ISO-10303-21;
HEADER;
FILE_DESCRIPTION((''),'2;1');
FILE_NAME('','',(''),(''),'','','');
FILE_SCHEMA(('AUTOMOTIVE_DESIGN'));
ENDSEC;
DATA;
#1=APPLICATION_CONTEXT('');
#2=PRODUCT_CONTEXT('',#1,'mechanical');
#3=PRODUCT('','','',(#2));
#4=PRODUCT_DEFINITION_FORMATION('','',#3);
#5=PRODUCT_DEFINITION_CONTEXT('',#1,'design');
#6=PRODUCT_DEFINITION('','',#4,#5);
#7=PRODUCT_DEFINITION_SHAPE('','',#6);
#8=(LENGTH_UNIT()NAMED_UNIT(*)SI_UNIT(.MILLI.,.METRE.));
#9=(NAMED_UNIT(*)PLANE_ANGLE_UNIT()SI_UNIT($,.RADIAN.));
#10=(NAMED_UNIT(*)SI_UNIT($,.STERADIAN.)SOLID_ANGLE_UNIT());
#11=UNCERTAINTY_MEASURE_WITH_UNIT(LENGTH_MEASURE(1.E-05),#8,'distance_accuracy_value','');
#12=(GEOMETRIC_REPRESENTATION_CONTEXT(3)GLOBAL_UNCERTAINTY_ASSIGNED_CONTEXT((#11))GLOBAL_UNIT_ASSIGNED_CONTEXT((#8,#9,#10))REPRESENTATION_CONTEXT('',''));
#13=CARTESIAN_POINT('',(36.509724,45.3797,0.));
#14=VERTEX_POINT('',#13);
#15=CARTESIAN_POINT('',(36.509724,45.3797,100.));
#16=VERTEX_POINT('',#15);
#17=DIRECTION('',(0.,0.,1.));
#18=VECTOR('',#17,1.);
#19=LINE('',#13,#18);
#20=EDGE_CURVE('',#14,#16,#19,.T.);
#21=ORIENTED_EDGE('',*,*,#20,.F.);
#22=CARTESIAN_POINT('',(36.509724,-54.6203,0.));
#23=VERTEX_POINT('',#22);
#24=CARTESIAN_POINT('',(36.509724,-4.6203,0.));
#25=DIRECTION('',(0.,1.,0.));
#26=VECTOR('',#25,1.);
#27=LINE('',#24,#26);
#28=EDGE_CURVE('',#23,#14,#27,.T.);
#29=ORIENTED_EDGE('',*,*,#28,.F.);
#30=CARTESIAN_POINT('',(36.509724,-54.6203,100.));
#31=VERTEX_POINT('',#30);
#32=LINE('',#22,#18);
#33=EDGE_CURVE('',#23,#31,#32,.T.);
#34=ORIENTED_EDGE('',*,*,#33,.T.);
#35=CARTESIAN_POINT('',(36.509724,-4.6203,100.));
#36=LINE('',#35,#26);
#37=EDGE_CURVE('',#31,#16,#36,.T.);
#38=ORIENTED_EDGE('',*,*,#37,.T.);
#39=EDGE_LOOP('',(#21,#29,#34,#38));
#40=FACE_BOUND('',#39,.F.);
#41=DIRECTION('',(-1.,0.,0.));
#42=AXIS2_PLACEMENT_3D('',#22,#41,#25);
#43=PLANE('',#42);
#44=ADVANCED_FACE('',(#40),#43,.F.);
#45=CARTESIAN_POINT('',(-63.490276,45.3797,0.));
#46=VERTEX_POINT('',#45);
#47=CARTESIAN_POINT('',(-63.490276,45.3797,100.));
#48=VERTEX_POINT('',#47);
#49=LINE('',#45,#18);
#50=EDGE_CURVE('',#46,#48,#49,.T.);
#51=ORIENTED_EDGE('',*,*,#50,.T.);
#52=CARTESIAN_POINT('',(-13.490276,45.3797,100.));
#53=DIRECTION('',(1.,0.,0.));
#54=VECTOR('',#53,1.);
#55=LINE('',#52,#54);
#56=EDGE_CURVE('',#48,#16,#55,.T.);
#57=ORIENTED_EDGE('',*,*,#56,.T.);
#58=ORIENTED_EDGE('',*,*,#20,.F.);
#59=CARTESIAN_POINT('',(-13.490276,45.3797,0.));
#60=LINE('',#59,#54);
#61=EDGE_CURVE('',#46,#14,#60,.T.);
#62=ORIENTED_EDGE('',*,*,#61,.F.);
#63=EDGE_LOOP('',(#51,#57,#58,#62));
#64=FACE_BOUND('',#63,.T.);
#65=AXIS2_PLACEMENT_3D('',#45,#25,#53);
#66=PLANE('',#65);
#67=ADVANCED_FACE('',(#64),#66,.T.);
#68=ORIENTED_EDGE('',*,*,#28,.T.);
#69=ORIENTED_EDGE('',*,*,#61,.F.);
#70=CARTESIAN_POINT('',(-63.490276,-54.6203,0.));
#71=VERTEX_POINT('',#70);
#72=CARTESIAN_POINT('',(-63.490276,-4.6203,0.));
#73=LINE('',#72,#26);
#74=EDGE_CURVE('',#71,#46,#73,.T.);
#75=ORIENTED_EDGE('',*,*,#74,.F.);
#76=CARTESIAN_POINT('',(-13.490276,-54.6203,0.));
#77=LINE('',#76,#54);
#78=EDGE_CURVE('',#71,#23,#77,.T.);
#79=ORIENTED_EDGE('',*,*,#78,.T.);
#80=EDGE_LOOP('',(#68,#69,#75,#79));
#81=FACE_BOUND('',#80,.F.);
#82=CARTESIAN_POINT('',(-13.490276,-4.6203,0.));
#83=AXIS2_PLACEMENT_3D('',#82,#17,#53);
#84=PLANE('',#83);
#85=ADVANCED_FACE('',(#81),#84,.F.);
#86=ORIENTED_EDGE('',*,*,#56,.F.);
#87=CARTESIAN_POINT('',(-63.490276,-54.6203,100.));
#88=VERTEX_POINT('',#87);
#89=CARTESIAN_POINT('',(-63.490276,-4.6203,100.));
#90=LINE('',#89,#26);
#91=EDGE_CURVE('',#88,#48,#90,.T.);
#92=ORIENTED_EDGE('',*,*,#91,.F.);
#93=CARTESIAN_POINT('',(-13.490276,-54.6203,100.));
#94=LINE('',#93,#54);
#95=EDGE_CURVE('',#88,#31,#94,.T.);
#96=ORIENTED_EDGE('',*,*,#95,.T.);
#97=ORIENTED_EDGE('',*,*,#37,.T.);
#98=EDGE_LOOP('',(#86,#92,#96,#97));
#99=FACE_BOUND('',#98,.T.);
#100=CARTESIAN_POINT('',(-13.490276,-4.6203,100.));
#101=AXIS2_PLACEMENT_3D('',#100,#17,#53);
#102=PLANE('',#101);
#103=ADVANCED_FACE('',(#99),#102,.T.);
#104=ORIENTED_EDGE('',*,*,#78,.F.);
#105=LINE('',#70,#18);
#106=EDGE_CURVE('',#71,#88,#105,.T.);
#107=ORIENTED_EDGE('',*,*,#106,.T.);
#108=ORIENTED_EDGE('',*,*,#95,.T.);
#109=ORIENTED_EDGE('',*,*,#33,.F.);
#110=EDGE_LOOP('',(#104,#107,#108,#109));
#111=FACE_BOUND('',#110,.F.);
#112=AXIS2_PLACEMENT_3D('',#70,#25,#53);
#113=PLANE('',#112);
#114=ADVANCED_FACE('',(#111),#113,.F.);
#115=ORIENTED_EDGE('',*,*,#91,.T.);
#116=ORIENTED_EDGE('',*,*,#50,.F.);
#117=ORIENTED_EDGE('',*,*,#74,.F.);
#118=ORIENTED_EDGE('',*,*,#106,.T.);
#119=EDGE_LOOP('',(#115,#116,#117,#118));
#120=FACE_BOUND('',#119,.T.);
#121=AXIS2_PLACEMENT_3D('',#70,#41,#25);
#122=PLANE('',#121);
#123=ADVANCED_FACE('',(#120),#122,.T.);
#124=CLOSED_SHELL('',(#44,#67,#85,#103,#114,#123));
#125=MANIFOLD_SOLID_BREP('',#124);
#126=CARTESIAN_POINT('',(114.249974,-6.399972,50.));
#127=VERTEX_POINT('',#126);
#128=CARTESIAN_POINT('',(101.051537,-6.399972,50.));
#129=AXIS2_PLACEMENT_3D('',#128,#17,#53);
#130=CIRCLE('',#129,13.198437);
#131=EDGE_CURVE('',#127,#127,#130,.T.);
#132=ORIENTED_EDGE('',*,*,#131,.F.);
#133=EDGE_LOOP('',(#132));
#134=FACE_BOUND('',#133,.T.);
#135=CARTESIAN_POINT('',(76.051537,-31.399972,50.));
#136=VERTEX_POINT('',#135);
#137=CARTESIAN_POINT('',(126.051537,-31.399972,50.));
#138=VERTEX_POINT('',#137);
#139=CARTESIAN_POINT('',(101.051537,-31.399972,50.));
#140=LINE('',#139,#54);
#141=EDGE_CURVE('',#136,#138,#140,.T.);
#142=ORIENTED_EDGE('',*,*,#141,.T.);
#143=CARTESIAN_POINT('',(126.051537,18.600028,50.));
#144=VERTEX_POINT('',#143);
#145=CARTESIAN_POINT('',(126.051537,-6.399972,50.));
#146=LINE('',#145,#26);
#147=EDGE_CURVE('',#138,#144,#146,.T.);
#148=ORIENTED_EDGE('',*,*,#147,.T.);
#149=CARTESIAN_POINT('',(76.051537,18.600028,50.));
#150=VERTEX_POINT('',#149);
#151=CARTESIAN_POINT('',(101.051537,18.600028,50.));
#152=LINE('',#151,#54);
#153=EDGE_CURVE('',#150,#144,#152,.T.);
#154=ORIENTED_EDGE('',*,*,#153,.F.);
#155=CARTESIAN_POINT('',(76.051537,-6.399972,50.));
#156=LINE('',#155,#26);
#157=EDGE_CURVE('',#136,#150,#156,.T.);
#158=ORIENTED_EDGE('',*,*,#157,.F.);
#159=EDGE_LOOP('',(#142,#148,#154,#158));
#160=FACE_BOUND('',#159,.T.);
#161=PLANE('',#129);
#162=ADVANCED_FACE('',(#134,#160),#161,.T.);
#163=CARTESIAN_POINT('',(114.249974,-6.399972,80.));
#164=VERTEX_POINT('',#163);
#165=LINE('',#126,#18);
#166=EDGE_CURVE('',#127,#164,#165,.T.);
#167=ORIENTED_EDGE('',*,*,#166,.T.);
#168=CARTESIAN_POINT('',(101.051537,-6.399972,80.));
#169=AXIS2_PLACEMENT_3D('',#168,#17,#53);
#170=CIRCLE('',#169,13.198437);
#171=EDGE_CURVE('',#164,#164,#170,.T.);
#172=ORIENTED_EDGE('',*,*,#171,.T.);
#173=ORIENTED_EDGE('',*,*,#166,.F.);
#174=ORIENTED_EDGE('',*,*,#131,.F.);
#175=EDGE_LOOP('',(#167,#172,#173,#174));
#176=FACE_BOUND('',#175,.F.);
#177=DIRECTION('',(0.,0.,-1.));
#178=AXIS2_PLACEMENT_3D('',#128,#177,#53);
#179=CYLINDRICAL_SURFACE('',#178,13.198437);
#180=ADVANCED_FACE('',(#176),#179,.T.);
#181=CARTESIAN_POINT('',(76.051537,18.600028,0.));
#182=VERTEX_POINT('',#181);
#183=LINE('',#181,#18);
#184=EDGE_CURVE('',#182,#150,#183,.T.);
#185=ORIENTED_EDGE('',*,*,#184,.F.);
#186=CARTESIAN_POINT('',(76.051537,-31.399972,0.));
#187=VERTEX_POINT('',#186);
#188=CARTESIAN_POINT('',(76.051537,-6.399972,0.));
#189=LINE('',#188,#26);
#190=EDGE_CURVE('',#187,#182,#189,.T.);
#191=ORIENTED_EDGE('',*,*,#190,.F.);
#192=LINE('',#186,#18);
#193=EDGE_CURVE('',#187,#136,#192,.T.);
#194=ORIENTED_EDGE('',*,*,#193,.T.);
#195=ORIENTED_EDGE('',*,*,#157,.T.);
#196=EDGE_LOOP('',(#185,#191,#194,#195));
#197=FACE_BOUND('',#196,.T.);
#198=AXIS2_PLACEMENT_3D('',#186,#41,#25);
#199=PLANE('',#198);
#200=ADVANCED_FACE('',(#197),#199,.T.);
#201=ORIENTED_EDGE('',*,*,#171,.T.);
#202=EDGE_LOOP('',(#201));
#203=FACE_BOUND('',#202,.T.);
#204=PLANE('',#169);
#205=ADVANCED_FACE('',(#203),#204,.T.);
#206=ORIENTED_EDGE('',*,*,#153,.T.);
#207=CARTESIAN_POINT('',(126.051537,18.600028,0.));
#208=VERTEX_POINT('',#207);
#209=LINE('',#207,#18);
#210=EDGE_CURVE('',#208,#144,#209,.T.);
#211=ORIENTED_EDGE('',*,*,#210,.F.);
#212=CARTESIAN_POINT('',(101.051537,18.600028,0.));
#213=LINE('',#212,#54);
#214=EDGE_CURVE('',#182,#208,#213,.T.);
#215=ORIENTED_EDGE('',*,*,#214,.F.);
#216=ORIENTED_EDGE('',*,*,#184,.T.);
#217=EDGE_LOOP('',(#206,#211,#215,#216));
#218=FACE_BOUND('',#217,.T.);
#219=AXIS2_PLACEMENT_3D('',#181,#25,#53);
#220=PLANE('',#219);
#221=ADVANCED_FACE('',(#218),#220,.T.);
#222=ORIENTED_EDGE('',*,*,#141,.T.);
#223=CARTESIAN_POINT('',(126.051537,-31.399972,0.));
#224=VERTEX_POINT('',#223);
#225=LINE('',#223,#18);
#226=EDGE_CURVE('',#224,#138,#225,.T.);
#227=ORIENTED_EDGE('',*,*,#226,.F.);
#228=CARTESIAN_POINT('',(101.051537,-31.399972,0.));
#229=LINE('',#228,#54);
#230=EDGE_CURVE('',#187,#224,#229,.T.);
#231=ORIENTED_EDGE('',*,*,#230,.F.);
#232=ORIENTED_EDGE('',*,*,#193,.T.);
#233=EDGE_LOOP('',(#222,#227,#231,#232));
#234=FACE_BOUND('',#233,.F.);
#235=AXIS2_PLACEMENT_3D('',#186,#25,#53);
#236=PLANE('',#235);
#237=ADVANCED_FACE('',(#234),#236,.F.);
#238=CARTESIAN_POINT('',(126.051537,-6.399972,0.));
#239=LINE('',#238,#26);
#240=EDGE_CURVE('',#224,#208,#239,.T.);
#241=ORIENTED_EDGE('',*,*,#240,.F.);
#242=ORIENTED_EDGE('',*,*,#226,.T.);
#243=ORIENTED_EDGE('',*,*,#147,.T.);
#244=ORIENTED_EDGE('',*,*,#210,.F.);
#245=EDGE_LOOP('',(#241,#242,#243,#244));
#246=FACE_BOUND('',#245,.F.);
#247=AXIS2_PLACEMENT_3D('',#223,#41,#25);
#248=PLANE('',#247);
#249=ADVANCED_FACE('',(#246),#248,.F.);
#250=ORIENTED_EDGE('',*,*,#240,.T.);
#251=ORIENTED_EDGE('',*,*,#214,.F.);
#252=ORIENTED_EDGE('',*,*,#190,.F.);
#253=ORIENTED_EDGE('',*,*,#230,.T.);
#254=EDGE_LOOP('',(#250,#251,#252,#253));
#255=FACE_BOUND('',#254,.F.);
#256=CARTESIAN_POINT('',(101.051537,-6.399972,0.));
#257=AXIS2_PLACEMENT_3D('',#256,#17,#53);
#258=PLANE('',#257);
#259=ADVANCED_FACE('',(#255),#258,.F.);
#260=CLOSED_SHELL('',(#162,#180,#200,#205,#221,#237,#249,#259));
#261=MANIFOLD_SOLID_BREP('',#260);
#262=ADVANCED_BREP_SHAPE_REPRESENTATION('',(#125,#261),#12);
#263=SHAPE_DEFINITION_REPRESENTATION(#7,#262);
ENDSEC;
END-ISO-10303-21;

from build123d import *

# Parameters (mm, degrees)
F0_W     = 100
F0_H     = 100
F1_DEPTH = 100
F2_W     = 50
F2_H     = 50
F3_DEPTH = 50
F4_R     = 13.198437
F5_DEPTH = 30


with BuildPart() as f1:
    # F0 (on Top) → F1 (new body)
    with BuildSketch(Plane.XY):
        with Locations((-13.490276, -4.6203)):
            Rectangle(F0_W, F0_H)
    extrude(amount=F1_DEPTH)


with BuildPart() as f3:
    # F2 (on Top) → F3 (new body)
    with BuildSketch(Plane.XY):
        with Locations((101.051537, -6.399972)):
            Rectangle(F2_W, F2_H)
    extrude(amount=F3_DEPTH)

    # F4 (on face) → F5 (join)
    with BuildSketch(Plane.XY.offset(50)):
        with Locations((101.051537, -6.399972)):
            Circle(F4_R)
    extrude(amount=F5_DEPTH)


solid = Compound([f1.part, f3.part])
